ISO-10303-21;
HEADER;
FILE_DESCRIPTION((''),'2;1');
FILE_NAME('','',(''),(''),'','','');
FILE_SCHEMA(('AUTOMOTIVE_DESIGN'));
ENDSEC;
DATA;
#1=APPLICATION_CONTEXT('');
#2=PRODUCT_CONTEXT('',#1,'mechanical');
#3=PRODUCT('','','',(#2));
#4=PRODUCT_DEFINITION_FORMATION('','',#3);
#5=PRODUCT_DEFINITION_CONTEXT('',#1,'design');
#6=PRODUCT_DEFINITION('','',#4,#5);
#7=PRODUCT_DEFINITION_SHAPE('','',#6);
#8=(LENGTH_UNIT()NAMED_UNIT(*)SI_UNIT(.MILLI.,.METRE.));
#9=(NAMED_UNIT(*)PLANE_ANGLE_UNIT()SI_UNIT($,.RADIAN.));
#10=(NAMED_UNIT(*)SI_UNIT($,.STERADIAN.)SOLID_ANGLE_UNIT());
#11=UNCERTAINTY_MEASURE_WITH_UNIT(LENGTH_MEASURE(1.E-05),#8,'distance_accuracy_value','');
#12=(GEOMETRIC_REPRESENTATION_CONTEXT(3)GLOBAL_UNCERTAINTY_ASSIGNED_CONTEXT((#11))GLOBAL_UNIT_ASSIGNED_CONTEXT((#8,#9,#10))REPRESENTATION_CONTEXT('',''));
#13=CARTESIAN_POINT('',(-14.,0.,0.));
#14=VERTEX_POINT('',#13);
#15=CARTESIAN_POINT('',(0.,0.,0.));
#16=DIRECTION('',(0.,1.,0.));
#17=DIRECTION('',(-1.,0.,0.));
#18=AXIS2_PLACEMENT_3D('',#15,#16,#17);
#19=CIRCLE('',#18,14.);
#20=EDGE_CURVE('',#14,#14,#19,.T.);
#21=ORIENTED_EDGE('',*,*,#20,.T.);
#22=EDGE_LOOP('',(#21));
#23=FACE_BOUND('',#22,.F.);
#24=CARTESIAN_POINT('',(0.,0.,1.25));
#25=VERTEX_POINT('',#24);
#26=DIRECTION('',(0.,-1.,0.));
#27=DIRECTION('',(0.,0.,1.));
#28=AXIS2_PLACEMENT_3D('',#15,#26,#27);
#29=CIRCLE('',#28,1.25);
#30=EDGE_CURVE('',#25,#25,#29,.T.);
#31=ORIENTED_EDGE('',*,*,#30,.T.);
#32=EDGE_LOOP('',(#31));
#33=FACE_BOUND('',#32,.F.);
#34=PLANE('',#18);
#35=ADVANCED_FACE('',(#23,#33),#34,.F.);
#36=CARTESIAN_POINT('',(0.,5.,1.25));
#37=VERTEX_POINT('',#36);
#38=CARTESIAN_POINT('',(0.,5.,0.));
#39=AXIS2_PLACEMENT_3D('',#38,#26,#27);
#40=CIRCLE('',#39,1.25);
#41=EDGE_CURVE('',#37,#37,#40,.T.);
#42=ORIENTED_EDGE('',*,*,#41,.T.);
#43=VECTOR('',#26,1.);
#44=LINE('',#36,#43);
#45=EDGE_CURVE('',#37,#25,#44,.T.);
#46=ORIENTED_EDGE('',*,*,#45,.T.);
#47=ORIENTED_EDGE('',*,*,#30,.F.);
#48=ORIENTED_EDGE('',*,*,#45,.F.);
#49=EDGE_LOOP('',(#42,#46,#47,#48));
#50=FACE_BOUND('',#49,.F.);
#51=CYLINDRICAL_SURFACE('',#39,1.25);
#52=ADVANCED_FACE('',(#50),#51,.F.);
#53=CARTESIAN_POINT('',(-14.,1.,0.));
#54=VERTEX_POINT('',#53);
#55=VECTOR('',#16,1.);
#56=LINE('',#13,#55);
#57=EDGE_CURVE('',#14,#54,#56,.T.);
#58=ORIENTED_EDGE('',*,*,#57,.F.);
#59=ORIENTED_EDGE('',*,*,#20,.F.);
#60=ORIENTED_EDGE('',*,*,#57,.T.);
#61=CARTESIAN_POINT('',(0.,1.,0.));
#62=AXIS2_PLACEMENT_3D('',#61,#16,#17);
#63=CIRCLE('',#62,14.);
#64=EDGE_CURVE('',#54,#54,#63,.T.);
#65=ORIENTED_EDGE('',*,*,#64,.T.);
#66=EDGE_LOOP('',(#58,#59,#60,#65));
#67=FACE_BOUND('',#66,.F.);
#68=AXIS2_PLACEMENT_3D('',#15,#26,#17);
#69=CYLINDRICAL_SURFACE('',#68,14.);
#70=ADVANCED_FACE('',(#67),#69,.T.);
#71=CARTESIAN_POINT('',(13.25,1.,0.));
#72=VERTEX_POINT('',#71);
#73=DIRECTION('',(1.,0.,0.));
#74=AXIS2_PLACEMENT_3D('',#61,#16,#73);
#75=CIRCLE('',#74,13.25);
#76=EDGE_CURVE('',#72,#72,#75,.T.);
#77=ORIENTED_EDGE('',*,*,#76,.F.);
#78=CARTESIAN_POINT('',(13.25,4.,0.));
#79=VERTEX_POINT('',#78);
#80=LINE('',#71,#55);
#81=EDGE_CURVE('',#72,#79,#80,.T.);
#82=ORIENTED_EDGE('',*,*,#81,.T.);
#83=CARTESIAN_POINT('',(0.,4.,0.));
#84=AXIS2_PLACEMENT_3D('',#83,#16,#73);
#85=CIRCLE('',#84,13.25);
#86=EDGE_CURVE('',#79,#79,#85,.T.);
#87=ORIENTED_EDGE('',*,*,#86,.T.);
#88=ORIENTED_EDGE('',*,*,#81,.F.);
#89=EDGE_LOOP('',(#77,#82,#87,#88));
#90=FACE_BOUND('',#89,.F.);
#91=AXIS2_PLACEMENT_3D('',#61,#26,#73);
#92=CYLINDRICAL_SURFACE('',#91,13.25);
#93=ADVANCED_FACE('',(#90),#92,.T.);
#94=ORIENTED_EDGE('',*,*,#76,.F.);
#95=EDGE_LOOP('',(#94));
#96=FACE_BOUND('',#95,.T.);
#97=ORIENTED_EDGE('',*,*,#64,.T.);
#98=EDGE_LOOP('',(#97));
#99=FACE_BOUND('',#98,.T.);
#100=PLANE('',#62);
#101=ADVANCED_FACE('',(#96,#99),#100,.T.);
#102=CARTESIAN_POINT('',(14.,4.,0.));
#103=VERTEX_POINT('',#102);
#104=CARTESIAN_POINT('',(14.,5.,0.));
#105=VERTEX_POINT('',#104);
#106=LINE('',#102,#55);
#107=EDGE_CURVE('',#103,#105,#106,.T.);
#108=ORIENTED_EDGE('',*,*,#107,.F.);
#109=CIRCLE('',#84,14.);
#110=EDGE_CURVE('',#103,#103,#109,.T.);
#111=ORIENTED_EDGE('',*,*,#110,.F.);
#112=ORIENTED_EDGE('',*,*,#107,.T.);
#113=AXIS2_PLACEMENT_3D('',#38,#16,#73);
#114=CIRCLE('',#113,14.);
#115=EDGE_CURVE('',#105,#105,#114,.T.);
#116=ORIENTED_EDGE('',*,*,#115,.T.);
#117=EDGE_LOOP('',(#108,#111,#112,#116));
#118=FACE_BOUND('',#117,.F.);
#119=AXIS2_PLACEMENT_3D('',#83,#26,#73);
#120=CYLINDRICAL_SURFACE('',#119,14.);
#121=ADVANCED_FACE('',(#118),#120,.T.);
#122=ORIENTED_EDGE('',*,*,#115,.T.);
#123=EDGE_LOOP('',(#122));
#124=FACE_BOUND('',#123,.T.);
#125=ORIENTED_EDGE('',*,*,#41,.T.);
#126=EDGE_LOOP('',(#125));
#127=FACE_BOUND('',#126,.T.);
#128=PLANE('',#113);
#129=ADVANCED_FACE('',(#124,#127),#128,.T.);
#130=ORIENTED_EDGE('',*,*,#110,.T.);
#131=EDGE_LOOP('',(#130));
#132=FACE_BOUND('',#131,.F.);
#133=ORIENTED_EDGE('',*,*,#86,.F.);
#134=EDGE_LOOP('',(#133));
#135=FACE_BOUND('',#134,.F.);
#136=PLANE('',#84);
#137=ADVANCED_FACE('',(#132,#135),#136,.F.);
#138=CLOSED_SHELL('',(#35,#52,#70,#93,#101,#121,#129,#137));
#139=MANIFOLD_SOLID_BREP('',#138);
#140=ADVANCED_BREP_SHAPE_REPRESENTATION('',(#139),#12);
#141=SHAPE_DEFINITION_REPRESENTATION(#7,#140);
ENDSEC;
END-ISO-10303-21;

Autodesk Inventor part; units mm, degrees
ref_plane "YZ Plane" through (0, 0, 0) normal (1, 0, 0) x (0, 1, 0)
ref_plane "XZ Plane" through (0, 0, 0) normal (0, 1, 0) x (-1, 0, 0)
ref_plane "XY Plane" through (0, 0, 0) normal (0, 0, 1) x (1, 0, 0)
sketch "Sketch1" plane through (0, 0, 0) normal (0, 1, 0) x (-1, 0, 0)
  circle A0 centre (0, 0) radius 14
  circle A1 centre (0, 0) radius 14
  dimension "d0" = 28
extrude "Extrusion1" add sketch "Sketch1" along normal blind 1
sketch "Sketch2" plane through (0, 1, 0) normal (0, 1, 0) x (1, 0, 0)
  circle A0 centre (0, 0) radius 13.25
  dimension "d4" = 26.5
extrude "Extrusion2" add sketch "Sketch2" along normal blind 3
sketch "Sketch3" plane through (0, 4, 0) normal (0, 1, 0) x (1, 0, 0)
  circle A0 centre (0, 0) radius 14
  dimension "d7" = 28
extrude "Extrusion3" add sketch "Sketch3" along normal blind 1
sketch "Sketch4" plane through (0, 5, 0) normal (0, 1, 0) x (1, 0, 0)
  circle A0 centre (0, 0) radius 1.25
  dimension "d10" = 2.5
hole "Hole1" at (0, 5, 0) direction (0, -1, 0) diameter 2.5 end through all
equation "\"d16\" = Thickness"
equation "\"BendRadius\" = Thickness"
equation "\"BendReliefWidth\" = Thickness"
equation "\"BendReliefDepth\" = 0.5 * Thickness"
equation "\"CornerReliefSize\" = 4 * Thickness"
equation "\"MinimumRemnant\" = 2 * Thickness"
equation "\"TransitionRadius\" = BendRadius"
equation "\"JacobiRadiusSize\" = BendRadius"
equation "\"GapSize\" = Thickness"
equation "\"Thickness\" = 0.5"
properties part number "wheeltemplate"
